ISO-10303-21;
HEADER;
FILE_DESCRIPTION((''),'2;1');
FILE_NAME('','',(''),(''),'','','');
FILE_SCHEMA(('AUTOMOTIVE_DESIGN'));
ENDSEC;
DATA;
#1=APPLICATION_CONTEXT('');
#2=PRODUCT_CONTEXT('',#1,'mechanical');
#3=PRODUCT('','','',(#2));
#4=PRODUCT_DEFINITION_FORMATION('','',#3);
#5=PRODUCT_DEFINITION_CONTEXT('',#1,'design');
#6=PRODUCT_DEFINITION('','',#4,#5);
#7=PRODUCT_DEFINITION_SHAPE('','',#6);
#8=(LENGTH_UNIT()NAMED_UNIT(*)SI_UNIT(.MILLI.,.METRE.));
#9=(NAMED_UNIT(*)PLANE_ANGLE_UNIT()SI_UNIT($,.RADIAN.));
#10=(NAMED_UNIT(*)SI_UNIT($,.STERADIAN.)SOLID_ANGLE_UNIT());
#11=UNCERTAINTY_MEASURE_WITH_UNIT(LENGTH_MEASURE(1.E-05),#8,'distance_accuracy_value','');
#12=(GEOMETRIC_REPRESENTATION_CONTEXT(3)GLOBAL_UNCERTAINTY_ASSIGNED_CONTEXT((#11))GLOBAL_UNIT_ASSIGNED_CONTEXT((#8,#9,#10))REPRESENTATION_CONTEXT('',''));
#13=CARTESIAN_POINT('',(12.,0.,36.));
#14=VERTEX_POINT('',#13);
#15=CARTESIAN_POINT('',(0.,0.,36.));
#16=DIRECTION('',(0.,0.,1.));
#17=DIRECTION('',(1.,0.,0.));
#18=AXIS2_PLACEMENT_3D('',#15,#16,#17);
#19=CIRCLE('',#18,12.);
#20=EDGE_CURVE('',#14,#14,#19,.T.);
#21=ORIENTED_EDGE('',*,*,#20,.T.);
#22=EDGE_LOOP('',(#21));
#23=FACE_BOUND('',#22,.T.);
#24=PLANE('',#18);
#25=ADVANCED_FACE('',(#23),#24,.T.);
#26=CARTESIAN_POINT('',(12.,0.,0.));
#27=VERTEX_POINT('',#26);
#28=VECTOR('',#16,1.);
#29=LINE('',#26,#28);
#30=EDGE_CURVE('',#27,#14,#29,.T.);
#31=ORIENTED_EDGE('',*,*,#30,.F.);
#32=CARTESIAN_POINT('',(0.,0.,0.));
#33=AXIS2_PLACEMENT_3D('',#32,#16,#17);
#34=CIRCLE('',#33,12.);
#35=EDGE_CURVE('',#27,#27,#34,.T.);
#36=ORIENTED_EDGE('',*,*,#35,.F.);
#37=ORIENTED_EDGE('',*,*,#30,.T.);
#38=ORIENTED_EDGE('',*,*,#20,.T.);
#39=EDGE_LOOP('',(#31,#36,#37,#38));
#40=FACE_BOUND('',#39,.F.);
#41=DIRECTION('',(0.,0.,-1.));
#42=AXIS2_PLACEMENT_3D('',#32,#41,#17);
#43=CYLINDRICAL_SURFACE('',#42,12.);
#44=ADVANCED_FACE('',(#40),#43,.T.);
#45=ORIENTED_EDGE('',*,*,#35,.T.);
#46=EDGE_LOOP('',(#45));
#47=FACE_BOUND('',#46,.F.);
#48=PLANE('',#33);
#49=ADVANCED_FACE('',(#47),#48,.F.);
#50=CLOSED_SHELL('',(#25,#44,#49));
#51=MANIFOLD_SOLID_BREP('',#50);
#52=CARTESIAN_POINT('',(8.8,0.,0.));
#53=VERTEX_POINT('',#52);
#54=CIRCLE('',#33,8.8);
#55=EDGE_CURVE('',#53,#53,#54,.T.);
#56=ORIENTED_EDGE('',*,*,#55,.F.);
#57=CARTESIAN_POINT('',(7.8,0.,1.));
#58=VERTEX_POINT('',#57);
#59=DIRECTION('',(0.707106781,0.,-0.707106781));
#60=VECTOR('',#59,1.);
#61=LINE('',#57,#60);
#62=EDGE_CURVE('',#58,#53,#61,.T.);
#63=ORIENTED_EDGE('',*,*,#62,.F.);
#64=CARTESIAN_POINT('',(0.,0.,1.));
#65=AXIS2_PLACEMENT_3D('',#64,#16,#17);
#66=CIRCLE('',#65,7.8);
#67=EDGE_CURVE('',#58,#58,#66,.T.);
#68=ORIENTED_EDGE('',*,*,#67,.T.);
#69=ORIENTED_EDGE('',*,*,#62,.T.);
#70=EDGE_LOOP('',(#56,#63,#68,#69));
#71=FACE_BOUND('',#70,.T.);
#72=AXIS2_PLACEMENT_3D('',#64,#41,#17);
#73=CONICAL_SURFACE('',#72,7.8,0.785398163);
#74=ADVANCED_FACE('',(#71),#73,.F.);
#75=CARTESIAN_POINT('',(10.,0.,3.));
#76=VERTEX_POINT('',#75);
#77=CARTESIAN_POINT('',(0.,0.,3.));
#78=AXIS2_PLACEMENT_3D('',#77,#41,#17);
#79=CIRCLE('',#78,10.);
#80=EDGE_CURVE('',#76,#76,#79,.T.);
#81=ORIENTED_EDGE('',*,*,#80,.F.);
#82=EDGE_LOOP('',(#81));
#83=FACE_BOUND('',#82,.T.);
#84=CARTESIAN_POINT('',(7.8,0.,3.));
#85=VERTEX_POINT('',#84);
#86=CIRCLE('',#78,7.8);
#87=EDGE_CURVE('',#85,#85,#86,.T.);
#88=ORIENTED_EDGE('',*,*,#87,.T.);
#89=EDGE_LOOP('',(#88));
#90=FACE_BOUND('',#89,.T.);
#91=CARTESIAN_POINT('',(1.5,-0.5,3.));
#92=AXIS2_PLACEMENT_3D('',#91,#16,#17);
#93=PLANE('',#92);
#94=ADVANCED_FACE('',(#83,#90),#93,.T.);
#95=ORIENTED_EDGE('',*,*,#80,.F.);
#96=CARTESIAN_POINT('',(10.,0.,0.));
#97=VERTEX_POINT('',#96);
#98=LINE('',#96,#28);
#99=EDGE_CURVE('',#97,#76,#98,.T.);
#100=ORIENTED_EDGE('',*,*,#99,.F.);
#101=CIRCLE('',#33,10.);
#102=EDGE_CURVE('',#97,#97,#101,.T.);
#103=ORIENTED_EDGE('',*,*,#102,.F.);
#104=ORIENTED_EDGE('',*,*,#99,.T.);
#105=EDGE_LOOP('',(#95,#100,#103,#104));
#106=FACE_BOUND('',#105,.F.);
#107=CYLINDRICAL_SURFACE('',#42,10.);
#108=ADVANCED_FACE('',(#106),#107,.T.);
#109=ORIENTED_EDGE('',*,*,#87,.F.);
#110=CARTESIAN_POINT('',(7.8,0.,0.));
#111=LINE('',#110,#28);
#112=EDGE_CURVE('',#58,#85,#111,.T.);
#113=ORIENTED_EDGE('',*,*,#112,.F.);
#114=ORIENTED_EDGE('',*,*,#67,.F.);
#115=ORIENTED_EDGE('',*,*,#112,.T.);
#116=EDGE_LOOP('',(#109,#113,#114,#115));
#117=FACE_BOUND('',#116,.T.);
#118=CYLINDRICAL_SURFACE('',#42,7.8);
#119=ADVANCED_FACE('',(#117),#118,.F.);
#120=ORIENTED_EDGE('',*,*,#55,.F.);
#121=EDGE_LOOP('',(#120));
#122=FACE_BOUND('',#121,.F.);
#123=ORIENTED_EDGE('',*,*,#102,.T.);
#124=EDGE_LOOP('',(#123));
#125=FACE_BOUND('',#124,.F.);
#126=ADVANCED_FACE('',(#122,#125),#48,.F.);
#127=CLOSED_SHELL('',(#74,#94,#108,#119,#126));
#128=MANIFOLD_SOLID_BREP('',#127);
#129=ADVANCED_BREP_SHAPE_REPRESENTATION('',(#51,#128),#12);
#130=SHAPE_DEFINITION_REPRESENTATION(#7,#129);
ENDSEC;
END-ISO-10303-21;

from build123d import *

# Parameters (mm, degrees)
CYLINDER003_R     = 12
CYLINDER003_DEPTH = 36
BOX_W             = 25
BOX_H             = 25
BOX_DEPTH         = 36
CYLINDER002_R     = 5
CYLINDER002_DEPTH = 12
CYLINDER001_R     = 7.8
CYLINDER001_DEPTH = 12
CYLINDER_R        = 10
CYLINDER_DEPTH    = 28
CHAMFER_SIZE      = 2.7
CHAMFER001_SIZE   = 1


with BuildPart() as cylinder003:
    # Cylinder003 → Cylinder003 (new body)
    with BuildSketch(Plane.XY):
        Circle(CYLINDER003_R)
    extrude(amount=CYLINDER003_DEPTH)


with BuildPart() as cube:
    # Box → Box (new body)
    with BuildSketch(Plane(origin=(-11, -13, 3), x_dir=(1, 0, 0), z_dir=(0, 0, 1))):
        with Locations((12.5, 12.5)):
            Rectangle(BOX_W, BOX_H)
    extrude(amount=BOX_DEPTH)


with BuildPart() as cylinder002:
    # Cylinder002 → Cylinder002 (new body)
    with BuildSketch(Plane.XY.offset(12)):
        Circle(CYLINDER002_R)
    extrude(amount=CYLINDER002_DEPTH)


with BuildPart() as fusion:
    # Cylinder001 → Cylinder001 (new body)
    with BuildSketch(Plane.XY):
        Circle(CYLINDER001_R)
    extrude(amount=CYLINDER001_DEPTH)

    # Fusion: union Cylinder002
    add(cylinder002.part)


with BuildPart() as cut001:
    # Cylinder → Cylinder (new body)
    with BuildSketch(Plane.XY):
        Circle(CYLINDER_R)
    extrude(amount=CYLINDER_DEPTH)

    # Cut: cut Fusion
    add(fusion.part, mode=Mode.SUBTRACT)

    # Chamfer
    chamfer_edges = [cut001.edges().sort_by_distance(p)[0] for p in [
        (-5, 0, 12),
    ]]
    chamfer(chamfer_edges, length=CHAMFER_SIZE)

    # Chamfer001
    chamfer001_edges = [cut001.edges().sort_by_distance(p)[0] for p in [
        (-7.8, 0, 0),
    ]]
    chamfer(chamfer001_edges, length=CHAMFER001_SIZE)

    # Cut001: cut Cube
    add(cube.part, mode=Mode.SUBTRACT)


solid = Compound([cylinder003.part, cut001.part])
